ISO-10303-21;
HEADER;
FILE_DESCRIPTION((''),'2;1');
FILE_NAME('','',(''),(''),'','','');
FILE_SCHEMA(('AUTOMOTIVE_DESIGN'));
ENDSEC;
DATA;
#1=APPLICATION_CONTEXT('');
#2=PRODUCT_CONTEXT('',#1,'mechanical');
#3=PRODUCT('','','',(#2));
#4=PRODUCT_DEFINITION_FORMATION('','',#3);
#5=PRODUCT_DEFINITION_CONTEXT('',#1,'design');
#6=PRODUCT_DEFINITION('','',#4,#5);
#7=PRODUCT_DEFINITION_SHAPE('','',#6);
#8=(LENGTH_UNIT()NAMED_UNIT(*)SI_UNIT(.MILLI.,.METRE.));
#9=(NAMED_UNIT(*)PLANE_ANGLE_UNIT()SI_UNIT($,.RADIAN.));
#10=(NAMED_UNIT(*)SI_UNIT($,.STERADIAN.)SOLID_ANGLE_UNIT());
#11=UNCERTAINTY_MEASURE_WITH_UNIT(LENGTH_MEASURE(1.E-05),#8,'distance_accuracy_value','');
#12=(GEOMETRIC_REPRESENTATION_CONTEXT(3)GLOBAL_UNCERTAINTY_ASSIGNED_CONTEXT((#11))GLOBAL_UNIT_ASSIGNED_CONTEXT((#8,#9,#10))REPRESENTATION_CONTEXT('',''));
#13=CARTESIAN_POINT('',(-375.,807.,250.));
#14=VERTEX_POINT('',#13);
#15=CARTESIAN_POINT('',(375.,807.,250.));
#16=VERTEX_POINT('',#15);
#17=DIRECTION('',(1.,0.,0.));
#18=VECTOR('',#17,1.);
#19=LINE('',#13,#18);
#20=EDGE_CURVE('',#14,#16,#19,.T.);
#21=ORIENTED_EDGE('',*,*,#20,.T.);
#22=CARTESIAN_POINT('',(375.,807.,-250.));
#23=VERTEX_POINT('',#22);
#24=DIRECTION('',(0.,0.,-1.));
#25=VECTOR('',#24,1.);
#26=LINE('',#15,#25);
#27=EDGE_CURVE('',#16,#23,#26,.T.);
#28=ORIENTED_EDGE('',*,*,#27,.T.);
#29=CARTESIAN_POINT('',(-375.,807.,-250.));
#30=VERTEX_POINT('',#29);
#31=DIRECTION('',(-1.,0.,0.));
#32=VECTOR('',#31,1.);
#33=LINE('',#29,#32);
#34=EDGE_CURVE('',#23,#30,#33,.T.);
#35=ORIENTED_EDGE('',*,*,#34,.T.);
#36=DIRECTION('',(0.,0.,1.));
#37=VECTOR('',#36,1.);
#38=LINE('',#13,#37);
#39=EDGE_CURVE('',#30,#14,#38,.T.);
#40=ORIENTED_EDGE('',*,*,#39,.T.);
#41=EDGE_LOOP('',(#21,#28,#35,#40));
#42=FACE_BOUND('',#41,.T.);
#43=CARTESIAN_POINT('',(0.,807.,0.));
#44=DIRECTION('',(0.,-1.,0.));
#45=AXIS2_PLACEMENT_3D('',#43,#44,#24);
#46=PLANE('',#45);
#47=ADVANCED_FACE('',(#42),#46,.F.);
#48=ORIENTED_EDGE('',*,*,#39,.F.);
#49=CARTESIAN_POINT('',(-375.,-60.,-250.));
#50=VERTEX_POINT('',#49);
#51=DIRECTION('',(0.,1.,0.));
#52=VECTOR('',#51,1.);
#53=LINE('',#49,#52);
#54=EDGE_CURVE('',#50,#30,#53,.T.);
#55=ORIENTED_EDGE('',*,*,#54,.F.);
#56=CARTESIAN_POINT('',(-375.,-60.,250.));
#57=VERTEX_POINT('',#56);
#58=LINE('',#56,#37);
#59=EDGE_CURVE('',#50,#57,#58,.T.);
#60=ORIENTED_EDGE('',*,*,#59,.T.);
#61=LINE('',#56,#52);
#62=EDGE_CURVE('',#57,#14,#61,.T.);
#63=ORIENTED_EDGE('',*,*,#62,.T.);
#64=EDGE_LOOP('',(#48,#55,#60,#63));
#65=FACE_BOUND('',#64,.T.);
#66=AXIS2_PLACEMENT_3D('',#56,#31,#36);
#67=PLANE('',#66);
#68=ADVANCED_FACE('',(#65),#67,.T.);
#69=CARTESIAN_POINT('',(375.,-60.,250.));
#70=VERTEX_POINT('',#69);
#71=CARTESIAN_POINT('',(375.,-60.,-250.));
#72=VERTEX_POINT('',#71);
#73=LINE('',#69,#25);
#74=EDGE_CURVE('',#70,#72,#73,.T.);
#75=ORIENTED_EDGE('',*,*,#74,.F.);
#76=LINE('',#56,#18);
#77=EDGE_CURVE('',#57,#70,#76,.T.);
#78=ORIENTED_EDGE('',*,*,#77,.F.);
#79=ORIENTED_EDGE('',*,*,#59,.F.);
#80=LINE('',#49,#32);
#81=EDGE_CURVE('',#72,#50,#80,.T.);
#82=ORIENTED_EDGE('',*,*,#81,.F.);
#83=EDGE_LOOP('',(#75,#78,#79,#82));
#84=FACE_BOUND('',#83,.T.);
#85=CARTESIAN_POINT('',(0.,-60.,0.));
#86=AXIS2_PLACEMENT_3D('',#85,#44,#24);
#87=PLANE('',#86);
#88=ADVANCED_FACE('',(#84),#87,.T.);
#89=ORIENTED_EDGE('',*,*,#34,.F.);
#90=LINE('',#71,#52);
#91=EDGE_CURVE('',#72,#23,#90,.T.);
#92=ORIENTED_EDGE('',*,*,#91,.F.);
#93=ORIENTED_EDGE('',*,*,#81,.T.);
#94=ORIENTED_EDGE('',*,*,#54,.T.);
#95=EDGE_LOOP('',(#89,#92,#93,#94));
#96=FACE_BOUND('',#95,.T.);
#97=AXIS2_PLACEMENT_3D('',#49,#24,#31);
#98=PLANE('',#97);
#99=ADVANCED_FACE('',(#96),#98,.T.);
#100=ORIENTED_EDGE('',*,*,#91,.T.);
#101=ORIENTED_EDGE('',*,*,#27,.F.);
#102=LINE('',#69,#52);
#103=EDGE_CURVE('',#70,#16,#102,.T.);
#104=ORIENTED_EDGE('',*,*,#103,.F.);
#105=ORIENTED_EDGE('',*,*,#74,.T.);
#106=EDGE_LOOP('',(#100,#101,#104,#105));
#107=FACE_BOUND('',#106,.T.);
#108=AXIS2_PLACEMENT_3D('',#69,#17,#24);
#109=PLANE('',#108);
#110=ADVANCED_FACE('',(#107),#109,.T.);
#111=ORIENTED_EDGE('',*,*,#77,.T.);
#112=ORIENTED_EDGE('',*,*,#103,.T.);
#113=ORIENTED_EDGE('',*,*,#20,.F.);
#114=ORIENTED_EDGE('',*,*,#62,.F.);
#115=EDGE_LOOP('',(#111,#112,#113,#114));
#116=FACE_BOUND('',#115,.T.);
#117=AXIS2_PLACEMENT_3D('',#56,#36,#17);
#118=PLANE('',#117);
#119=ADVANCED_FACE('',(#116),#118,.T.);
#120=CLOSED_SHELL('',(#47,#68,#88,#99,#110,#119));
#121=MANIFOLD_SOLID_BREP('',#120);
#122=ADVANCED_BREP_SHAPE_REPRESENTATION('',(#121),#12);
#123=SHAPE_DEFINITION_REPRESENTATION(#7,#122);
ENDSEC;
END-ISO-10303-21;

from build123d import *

# Parameters (mm, degrees)
SKETCH1_W                = 750
SKETCH1_H                = 500
BOSS_EXTRUDE1_DEPTH      = 807
BOSS_EXTRUDE1_DEPTH_BACK = 60


with BuildPart() as part:
    # Sketch1 → Boss-Extrude1 (new body, two sides)
    with BuildSketch(Plane(origin=(0, 0, 0), x_dir=(1, 0, 0), z_dir=(0, 1, 0))) as boss_extrude1_sk:
        Rectangle(SKETCH1_W, SKETCH1_H)
    extrude(amount=BOSS_EXTRUDE1_DEPTH)
    extrude(boss_extrude1_sk.sketch, amount=-BOSS_EXTRUDE1_DEPTH_BACK)


solid = part.part
